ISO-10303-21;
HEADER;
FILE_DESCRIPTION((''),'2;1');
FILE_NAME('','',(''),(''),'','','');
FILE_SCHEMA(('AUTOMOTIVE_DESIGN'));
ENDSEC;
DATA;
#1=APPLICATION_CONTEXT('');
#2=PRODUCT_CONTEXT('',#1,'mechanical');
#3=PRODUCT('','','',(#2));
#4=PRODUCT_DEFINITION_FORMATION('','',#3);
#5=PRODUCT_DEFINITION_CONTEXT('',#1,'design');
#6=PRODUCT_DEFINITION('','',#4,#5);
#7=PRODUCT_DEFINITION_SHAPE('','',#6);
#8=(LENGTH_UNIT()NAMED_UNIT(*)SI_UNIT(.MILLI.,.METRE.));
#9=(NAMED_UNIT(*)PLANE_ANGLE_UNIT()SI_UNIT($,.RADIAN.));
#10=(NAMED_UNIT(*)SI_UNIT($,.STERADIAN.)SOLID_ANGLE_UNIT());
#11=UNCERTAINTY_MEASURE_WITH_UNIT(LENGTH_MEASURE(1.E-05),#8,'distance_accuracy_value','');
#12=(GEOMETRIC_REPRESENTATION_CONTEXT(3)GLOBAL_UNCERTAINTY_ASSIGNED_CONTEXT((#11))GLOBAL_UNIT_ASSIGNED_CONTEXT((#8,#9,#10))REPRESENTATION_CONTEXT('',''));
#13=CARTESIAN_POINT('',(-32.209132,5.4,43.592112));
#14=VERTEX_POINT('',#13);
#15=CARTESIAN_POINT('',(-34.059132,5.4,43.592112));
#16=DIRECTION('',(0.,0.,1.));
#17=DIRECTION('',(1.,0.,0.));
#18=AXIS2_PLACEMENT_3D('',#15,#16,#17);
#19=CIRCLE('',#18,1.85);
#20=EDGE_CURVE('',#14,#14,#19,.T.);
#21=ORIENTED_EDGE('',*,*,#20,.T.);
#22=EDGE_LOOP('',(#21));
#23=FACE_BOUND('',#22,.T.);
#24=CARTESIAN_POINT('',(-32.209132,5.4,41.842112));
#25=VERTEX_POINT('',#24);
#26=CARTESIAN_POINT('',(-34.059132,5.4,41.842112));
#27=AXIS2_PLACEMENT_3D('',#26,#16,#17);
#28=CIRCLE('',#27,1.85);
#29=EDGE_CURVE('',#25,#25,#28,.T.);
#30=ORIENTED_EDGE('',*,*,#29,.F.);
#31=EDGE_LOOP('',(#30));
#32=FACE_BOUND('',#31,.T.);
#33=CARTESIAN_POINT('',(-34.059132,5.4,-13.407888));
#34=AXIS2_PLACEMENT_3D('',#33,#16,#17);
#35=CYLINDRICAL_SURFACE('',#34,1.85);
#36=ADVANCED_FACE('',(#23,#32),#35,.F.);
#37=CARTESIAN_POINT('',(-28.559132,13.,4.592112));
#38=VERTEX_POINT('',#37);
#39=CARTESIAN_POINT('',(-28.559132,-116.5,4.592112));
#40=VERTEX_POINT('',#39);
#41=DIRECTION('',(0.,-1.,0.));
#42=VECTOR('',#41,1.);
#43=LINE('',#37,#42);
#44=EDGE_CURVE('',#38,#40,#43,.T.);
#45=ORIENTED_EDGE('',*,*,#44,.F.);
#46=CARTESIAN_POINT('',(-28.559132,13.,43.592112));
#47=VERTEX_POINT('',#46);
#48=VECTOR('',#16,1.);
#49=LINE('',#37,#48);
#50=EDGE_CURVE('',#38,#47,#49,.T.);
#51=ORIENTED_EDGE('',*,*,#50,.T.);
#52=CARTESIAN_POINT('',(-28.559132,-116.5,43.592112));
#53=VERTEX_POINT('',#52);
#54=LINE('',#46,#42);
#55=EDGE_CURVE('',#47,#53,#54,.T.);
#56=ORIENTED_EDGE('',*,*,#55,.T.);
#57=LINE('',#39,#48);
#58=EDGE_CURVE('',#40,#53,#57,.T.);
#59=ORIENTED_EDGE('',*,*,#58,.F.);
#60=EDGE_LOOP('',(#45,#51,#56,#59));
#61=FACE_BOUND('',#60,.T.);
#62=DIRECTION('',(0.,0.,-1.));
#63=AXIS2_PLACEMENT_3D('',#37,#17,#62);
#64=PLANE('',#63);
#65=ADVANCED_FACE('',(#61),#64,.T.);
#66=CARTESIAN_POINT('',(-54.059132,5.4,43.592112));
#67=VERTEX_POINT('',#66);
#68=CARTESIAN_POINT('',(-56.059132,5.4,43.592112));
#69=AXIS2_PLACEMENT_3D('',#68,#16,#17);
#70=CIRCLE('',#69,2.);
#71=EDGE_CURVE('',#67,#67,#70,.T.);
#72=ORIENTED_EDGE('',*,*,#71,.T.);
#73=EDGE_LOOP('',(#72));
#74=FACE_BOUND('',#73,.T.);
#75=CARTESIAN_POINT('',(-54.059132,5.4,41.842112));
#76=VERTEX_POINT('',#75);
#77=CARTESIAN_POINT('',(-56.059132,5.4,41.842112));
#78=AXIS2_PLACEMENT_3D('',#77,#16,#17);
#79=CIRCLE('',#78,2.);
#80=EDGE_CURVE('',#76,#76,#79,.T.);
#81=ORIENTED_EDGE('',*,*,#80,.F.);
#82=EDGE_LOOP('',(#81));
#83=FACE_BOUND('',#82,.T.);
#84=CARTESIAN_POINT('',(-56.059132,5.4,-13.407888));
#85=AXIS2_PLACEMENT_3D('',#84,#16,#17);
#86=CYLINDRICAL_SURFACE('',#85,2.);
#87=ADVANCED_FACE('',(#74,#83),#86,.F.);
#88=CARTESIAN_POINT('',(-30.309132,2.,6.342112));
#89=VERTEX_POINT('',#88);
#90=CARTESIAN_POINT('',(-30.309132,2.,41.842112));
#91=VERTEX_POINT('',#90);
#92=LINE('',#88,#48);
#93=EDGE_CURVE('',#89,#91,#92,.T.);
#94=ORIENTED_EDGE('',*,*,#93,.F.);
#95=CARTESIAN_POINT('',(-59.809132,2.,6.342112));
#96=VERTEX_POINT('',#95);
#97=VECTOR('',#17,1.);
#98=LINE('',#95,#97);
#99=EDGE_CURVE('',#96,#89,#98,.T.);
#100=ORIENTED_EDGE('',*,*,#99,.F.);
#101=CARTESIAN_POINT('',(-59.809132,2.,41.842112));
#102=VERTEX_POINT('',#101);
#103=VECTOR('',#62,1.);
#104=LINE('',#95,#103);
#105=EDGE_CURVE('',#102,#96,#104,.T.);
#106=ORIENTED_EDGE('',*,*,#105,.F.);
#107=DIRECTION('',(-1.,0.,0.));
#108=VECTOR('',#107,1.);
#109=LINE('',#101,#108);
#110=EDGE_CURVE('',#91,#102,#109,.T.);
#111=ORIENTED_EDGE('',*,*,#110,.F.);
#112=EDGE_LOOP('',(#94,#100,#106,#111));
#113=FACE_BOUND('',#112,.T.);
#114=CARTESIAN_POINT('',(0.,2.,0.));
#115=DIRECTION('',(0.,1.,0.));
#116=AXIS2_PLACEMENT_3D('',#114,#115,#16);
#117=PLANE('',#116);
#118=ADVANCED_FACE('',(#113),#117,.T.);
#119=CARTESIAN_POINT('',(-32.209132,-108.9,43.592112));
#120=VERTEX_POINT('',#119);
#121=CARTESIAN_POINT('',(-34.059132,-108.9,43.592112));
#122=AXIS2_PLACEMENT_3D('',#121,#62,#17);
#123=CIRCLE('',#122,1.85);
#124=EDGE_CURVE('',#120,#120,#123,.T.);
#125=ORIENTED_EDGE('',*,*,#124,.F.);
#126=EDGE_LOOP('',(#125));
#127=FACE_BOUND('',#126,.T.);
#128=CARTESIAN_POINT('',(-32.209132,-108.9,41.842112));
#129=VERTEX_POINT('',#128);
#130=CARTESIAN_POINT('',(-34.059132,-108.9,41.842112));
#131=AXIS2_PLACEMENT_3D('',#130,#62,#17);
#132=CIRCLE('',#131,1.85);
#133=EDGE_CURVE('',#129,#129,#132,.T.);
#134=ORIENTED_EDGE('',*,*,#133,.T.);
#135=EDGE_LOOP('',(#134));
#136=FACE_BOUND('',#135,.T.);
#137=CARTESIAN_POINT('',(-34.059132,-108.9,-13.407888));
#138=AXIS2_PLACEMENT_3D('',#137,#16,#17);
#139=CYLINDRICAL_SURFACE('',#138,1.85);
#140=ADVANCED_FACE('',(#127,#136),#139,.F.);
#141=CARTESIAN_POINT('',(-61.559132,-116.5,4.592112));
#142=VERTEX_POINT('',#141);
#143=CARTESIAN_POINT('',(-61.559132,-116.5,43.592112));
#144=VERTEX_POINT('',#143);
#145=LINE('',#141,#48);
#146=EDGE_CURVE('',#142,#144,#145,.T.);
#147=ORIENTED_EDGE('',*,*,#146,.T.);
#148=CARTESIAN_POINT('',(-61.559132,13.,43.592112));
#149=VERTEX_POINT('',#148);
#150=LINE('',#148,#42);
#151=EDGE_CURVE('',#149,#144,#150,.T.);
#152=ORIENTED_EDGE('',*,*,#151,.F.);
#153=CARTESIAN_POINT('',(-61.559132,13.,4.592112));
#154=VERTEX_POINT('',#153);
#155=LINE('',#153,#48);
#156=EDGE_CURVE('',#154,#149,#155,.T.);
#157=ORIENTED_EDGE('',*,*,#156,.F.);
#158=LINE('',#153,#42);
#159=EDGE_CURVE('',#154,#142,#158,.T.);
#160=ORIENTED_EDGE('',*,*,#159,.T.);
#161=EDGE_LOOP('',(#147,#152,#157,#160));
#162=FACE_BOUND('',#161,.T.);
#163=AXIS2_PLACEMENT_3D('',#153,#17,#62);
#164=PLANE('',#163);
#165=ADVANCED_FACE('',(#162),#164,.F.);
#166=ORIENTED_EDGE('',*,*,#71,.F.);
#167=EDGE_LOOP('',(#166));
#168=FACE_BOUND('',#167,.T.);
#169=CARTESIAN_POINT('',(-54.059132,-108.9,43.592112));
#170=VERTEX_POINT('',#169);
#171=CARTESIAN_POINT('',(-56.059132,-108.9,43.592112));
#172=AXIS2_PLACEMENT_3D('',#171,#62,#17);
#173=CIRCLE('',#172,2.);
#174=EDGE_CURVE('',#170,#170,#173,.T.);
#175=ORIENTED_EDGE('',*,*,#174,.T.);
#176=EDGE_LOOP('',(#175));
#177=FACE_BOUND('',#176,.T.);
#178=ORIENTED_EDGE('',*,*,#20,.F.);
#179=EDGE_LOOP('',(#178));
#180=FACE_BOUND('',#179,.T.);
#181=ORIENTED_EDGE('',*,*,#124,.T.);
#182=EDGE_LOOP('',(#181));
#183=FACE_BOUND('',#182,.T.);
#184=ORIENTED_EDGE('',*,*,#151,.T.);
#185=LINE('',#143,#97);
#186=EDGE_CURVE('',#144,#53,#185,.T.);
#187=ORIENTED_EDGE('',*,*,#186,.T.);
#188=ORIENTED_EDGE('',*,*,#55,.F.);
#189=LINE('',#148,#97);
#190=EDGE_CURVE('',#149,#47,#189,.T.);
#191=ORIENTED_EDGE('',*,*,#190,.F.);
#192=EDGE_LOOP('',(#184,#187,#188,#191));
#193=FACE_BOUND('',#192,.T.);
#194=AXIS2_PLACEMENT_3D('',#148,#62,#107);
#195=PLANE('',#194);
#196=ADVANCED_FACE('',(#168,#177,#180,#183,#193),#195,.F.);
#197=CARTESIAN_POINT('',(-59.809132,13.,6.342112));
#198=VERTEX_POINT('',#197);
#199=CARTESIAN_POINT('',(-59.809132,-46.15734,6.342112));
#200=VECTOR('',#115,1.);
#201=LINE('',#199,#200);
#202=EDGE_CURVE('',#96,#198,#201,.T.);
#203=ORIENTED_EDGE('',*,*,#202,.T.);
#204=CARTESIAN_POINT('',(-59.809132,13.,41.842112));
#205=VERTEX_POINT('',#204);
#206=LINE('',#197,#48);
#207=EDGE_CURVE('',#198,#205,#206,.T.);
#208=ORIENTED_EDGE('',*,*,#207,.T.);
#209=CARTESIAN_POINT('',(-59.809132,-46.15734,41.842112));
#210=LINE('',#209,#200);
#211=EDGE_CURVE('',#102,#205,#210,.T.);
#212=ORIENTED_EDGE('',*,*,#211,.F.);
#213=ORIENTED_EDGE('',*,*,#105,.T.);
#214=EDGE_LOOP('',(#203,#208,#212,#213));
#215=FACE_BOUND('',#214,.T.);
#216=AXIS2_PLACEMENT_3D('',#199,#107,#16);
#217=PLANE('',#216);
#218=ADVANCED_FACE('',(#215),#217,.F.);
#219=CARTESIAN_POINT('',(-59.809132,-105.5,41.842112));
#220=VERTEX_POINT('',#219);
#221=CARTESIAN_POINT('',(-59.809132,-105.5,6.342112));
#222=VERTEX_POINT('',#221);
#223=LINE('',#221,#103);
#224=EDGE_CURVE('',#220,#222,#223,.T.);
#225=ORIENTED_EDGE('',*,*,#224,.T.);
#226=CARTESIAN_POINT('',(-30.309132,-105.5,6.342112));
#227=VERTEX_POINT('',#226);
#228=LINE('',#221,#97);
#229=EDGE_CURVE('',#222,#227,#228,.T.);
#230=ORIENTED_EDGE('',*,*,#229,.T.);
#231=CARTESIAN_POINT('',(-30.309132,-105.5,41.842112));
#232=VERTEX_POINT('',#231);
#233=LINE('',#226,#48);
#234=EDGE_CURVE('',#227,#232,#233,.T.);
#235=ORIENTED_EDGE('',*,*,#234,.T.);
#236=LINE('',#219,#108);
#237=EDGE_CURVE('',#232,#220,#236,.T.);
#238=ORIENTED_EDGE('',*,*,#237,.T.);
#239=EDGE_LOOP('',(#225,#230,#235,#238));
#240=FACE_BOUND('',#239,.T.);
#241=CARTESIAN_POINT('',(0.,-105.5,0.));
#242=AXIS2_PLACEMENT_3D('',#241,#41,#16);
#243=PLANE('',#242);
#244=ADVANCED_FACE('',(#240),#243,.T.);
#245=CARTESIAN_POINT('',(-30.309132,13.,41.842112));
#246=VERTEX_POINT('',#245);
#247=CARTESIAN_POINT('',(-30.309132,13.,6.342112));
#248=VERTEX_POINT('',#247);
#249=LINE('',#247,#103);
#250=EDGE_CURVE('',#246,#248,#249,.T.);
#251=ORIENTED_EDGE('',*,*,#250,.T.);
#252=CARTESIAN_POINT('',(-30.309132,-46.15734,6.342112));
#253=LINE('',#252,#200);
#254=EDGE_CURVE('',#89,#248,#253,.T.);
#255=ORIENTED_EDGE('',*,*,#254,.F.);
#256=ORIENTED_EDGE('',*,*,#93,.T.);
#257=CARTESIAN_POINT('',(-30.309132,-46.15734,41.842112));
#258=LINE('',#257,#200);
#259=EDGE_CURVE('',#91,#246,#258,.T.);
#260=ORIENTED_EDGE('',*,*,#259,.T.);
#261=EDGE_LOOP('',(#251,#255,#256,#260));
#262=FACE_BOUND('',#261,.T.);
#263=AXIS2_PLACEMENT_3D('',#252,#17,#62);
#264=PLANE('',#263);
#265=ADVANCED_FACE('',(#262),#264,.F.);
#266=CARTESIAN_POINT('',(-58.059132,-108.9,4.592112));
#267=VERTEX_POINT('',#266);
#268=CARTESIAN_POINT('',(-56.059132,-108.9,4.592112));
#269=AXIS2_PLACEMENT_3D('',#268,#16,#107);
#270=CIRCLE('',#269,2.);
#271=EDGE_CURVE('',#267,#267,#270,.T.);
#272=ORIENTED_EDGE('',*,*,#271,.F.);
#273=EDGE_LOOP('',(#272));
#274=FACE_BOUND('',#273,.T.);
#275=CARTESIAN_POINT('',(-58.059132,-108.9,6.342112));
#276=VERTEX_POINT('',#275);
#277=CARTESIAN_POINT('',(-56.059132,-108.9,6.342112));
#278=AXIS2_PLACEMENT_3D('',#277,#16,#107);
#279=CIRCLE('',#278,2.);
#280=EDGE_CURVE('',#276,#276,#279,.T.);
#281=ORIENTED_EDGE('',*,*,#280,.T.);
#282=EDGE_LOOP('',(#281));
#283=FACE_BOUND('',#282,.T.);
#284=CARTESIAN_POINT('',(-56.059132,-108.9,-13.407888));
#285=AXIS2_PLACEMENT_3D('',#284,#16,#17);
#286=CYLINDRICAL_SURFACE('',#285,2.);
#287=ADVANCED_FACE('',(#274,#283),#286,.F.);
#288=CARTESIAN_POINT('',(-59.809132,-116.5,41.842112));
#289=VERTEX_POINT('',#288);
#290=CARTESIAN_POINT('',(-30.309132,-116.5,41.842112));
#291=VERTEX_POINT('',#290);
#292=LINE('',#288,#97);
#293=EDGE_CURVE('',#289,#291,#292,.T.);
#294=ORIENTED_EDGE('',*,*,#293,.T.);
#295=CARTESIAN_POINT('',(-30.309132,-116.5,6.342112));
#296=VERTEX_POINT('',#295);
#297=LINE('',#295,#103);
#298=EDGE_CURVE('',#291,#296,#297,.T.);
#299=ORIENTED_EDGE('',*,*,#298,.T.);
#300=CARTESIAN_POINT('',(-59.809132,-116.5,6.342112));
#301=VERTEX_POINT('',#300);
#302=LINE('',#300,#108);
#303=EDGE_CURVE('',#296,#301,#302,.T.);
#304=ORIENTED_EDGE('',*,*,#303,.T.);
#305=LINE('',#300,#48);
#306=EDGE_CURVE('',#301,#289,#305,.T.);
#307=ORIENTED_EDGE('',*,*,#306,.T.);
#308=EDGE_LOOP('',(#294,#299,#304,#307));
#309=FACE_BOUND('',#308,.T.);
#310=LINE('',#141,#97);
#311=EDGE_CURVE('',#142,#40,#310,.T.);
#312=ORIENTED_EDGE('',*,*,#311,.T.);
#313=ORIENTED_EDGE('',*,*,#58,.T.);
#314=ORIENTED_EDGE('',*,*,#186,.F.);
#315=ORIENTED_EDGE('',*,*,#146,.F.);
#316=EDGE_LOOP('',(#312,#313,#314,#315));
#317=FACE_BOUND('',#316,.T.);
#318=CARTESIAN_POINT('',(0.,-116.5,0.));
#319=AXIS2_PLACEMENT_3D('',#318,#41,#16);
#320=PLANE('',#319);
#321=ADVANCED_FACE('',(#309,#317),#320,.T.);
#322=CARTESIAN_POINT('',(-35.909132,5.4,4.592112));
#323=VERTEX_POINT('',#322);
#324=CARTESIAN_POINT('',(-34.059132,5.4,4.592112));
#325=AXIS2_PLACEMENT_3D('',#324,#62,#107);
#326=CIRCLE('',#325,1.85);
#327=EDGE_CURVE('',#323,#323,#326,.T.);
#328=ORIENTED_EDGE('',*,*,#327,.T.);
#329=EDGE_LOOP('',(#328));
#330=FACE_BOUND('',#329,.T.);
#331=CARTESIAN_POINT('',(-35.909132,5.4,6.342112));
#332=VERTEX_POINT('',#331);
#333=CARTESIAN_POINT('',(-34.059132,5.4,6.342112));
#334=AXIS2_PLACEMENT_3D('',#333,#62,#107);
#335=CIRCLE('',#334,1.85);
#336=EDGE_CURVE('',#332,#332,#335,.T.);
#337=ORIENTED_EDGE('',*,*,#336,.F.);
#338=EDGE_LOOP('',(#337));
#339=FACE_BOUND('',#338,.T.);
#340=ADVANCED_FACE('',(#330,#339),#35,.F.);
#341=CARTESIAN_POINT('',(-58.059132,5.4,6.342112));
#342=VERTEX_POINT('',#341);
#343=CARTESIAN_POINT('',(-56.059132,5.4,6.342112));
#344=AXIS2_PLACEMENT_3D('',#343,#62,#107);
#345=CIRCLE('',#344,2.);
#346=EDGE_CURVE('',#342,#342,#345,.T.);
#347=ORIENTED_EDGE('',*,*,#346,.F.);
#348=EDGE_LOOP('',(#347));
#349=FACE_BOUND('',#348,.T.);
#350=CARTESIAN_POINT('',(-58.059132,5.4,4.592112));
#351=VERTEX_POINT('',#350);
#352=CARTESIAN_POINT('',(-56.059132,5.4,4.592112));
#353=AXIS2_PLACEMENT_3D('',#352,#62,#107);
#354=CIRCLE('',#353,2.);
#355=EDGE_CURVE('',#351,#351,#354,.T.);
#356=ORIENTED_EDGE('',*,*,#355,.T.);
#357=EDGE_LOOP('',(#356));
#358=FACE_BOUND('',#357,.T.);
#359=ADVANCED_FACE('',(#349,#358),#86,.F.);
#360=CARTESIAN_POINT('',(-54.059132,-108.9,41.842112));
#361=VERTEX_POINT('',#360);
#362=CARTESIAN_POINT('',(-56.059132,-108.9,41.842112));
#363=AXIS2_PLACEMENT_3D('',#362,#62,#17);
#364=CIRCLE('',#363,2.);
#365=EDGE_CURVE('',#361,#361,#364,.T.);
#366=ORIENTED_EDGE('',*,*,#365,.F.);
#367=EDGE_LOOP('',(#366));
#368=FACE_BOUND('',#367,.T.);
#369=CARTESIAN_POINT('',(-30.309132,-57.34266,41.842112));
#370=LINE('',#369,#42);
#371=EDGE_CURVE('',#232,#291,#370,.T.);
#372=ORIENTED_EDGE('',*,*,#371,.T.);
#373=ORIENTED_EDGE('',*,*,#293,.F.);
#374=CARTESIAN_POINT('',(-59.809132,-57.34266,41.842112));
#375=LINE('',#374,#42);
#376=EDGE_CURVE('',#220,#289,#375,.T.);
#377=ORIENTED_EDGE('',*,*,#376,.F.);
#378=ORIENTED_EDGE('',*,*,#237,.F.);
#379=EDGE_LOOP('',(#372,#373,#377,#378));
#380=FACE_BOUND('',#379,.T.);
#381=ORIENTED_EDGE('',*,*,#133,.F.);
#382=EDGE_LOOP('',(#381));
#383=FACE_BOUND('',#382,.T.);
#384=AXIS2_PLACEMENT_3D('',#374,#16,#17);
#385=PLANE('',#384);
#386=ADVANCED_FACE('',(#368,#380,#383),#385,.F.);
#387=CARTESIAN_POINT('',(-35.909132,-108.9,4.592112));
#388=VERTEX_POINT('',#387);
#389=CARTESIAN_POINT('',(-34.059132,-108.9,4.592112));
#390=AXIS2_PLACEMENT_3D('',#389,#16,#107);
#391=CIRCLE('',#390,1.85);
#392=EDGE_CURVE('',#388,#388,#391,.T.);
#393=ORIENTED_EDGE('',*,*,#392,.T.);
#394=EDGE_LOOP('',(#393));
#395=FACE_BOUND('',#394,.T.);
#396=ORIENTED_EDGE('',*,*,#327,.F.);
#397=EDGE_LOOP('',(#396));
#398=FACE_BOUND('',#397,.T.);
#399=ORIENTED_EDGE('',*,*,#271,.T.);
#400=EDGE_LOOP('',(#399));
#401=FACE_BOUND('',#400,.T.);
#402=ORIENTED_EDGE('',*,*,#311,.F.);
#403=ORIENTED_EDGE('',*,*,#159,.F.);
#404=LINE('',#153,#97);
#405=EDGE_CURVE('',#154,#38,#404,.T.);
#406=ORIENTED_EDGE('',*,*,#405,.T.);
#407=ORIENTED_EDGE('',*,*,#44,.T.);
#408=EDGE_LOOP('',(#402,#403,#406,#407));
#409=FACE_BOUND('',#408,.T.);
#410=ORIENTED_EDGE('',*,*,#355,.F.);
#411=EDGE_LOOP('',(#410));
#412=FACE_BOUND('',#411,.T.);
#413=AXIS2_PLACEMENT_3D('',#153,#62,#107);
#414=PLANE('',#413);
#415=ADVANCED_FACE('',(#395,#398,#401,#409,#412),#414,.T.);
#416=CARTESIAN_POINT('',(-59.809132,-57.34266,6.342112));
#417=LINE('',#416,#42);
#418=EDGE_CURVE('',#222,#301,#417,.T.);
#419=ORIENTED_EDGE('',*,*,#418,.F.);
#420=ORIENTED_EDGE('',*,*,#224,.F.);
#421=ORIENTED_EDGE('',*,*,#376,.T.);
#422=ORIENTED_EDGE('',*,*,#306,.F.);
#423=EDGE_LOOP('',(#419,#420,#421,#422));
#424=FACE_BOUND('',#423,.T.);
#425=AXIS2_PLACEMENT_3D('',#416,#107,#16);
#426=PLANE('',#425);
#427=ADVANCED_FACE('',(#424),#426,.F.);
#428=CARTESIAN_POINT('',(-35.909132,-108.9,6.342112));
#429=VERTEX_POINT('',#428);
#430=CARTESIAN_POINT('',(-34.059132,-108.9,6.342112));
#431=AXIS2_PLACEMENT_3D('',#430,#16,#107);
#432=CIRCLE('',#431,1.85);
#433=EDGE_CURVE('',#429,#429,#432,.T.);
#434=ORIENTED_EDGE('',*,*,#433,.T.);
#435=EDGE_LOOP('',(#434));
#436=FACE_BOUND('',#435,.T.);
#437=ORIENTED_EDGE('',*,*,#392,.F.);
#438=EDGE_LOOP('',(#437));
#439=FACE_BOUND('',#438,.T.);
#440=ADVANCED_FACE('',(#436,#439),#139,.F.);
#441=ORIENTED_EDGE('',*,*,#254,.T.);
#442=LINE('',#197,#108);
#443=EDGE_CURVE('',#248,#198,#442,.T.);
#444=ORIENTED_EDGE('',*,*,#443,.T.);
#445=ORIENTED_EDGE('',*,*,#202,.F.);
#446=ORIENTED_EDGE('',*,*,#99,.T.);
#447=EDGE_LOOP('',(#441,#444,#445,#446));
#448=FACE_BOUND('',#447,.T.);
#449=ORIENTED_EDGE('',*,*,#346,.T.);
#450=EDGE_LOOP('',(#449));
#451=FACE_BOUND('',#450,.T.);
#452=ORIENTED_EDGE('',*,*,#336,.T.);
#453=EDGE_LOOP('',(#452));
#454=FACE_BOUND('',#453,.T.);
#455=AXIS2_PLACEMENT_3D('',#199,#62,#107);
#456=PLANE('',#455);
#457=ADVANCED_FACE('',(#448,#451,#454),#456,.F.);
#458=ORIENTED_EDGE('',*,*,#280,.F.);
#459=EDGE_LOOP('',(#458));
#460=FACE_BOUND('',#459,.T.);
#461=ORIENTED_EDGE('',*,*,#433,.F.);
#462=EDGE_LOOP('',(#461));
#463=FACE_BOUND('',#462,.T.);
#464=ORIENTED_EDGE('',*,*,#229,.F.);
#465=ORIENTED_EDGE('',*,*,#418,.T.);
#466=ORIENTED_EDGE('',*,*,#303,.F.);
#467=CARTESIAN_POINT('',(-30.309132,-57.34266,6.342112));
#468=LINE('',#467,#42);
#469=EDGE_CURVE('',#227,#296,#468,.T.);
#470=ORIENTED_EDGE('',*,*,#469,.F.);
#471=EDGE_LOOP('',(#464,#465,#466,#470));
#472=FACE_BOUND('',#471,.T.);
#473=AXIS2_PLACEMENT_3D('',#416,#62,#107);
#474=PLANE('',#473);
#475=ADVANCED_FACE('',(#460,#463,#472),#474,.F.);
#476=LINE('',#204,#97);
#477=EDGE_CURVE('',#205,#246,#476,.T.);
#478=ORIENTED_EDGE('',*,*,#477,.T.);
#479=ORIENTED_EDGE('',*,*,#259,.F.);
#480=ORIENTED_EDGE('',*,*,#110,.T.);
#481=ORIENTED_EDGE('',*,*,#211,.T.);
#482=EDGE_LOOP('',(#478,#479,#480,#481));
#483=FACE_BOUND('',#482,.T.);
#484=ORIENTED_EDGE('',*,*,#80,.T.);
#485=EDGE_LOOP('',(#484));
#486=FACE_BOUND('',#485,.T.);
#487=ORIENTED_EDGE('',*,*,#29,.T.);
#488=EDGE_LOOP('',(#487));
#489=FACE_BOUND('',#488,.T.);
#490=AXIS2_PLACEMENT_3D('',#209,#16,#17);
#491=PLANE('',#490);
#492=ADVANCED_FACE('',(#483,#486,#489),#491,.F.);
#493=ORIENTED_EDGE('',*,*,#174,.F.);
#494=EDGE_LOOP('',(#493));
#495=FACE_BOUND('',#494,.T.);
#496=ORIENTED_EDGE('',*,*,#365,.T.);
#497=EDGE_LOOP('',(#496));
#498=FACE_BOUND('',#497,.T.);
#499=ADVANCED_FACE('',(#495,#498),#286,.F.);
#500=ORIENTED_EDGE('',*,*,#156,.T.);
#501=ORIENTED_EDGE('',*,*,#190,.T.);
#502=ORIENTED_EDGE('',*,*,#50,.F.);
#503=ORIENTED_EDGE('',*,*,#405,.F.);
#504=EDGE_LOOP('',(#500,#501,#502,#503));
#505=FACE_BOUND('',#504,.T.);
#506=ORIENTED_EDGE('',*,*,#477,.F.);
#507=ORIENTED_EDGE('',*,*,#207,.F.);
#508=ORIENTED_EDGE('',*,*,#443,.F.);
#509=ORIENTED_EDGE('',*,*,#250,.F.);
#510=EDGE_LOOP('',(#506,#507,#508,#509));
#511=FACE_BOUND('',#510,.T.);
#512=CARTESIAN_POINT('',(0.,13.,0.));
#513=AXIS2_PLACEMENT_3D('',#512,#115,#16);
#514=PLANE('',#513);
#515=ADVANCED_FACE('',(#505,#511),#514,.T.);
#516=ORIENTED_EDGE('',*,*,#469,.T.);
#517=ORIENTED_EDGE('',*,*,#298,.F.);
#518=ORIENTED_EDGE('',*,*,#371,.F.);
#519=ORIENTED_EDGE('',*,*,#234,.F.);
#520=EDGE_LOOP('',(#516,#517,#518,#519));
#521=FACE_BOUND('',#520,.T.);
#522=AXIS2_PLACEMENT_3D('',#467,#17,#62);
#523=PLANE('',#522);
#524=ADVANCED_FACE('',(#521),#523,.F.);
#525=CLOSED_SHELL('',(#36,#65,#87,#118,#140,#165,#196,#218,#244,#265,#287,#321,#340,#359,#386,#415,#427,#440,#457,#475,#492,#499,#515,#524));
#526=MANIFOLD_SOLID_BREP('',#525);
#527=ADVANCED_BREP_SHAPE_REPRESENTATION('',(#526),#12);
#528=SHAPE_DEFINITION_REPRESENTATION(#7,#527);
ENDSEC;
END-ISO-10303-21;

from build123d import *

# Parameters (mm, degrees)
SKETCH1_W           = 33
SKETCH1_H           = 39
BOSS_EXTRUDE1_DEPTH = 13
SKETCH2_W           = 29.5
SKETCH2_H           = 35.5
CUT_EXTRUDE1_DEPTH  = 11
SKETCH3_R           = 1.85
SKETCH3_R_2         = 2
CUT_EXTRUDE2_DEPTH  = 57
SKETCH4_W           = 33
SKETCH4_H           = 39
BOSS_EXTRUDE2_DEPTH = 51.749999878


with BuildPart() as part:
    # Sketch1 → Boss-Extrude1 (new body)
    with BuildSketch(Plane(origin=(0, 0, 0), x_dir=(1, 0, 0), z_dir=(0, 1, 0))):
        with Locations((-45.059131656, -24.092112369)):
            Rectangle(SKETCH1_W, SKETCH1_H)
    extrude(amount=BOSS_EXTRUDE1_DEPTH)

    # Sketch2 → Cut-Extrude1 (cut)
    with BuildSketch(Plane(origin=(0, 13, 0), x_dir=(1, 0, 0), z_dir=(0, 1, 0))):
        with Locations((-45.059131656, -24.092112369)):
            Rectangle(SKETCH2_W, SKETCH2_H)
    extrude(amount=-CUT_EXTRUDE1_DEPTH, mode=Mode.SUBTRACT)

    # Sketch3 → Cut-Extrude2 (cut)
    with BuildSketch(Plane.XY.offset(43.592112369)):
        with Locations((-34.059131656, 5.4)):
            Circle(SKETCH3_R)
        with Locations((-56.059131656, 5.4)):
            Circle(SKETCH3_R_2)
    extrude(amount=-CUT_EXTRUDE2_DEPTH, mode=Mode.SUBTRACT)

    # Sketch4 → Boss-Extrude2 (add)
    with BuildSketch(Plane.XZ):
        with Locations((-45.059131656, 24.092112369)):
            Rectangle(SKETCH4_W, SKETCH4_H)
    extrude(amount=BOSS_EXTRUDE2_DEPTH)

    # Mirror7: part across plane


with BuildPart() as part_1:
    add(part.part)
    add(part.part.mirror(Plane.ZX.offset(-51.749999878)))


solid = part_1.part
